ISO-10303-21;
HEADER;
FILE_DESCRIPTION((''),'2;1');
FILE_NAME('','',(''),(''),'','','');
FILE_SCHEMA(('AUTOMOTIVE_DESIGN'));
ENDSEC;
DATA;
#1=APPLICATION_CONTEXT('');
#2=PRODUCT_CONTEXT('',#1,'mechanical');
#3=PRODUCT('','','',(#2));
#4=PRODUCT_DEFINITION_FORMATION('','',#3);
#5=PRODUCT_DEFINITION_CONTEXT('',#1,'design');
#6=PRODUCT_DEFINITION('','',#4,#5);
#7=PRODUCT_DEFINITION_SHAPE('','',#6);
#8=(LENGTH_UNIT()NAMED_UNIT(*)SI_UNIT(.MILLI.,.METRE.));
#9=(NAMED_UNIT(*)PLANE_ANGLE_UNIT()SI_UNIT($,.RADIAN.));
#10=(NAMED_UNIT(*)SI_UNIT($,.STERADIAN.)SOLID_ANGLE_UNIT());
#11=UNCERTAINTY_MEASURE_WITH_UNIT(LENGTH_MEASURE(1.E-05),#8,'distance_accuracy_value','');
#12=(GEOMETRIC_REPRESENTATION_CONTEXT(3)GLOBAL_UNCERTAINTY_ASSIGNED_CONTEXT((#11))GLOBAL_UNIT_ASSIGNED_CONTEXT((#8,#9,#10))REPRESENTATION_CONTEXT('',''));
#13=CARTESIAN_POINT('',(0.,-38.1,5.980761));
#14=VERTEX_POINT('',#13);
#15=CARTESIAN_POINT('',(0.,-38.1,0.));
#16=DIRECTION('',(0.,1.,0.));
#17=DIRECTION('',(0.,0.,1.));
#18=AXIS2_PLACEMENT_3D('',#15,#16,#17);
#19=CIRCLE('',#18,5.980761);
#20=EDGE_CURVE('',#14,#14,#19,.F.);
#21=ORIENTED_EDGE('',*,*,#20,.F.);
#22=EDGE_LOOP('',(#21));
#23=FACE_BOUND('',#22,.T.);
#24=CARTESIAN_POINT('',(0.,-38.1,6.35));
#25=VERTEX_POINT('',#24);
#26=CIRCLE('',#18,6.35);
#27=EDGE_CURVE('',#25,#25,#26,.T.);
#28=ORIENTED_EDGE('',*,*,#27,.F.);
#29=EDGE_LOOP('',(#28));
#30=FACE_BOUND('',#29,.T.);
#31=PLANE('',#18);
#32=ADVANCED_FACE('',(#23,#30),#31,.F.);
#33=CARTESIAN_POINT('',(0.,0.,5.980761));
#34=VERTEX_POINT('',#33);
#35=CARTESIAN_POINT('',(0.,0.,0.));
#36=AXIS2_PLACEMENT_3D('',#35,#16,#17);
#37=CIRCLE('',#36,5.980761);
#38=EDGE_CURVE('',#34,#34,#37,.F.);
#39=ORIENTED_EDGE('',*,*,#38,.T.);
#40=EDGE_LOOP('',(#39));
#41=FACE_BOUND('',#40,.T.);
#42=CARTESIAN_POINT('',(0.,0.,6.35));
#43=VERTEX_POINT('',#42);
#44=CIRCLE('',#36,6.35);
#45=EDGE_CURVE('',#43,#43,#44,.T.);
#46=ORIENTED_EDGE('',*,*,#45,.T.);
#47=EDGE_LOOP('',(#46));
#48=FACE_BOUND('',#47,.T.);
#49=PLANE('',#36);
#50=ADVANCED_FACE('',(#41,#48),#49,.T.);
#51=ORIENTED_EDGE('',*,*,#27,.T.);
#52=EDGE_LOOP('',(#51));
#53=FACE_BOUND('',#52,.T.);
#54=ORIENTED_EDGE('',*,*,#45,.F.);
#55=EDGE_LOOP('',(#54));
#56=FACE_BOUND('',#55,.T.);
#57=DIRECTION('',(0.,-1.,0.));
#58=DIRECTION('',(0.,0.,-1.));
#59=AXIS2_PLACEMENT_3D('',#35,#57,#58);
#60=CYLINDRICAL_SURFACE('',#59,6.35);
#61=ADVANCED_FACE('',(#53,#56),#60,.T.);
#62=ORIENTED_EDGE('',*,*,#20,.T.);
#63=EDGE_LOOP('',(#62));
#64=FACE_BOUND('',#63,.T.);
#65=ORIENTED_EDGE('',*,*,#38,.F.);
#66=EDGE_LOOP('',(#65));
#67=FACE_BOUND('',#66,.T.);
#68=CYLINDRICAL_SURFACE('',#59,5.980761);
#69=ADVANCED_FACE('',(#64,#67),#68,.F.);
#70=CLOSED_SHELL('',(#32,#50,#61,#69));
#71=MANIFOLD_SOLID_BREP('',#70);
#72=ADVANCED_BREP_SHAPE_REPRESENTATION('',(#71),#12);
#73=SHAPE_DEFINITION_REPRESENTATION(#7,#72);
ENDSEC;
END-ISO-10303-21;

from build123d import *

# Parameters (mm, degrees)
SKETCH1_R   = 6.35
SKETCH1_R_2 = 5.98076085


with BuildPart() as part:
    # Sweep1: sweep along a path in Sketch2
    with BuildLine(Plane(origin=(0, 0, 0), x_dir=(0, 0, -1), z_dir=(1, 0, 0))) as sweep1_path:
        Line((0, 0), (0, -38.1))
    # Sketch1 → Sweep1 (sweep)
    with BuildSketch(Plane(origin=(0, 0, 0), x_dir=(1, 0, 0), z_dir=(0, 1, 0))):
        Circle(SKETCH1_R)
        Circle(SKETCH1_R_2, mode=Mode.SUBTRACT)
    sweep(path=sweep1_path.line)


solid = part.part
